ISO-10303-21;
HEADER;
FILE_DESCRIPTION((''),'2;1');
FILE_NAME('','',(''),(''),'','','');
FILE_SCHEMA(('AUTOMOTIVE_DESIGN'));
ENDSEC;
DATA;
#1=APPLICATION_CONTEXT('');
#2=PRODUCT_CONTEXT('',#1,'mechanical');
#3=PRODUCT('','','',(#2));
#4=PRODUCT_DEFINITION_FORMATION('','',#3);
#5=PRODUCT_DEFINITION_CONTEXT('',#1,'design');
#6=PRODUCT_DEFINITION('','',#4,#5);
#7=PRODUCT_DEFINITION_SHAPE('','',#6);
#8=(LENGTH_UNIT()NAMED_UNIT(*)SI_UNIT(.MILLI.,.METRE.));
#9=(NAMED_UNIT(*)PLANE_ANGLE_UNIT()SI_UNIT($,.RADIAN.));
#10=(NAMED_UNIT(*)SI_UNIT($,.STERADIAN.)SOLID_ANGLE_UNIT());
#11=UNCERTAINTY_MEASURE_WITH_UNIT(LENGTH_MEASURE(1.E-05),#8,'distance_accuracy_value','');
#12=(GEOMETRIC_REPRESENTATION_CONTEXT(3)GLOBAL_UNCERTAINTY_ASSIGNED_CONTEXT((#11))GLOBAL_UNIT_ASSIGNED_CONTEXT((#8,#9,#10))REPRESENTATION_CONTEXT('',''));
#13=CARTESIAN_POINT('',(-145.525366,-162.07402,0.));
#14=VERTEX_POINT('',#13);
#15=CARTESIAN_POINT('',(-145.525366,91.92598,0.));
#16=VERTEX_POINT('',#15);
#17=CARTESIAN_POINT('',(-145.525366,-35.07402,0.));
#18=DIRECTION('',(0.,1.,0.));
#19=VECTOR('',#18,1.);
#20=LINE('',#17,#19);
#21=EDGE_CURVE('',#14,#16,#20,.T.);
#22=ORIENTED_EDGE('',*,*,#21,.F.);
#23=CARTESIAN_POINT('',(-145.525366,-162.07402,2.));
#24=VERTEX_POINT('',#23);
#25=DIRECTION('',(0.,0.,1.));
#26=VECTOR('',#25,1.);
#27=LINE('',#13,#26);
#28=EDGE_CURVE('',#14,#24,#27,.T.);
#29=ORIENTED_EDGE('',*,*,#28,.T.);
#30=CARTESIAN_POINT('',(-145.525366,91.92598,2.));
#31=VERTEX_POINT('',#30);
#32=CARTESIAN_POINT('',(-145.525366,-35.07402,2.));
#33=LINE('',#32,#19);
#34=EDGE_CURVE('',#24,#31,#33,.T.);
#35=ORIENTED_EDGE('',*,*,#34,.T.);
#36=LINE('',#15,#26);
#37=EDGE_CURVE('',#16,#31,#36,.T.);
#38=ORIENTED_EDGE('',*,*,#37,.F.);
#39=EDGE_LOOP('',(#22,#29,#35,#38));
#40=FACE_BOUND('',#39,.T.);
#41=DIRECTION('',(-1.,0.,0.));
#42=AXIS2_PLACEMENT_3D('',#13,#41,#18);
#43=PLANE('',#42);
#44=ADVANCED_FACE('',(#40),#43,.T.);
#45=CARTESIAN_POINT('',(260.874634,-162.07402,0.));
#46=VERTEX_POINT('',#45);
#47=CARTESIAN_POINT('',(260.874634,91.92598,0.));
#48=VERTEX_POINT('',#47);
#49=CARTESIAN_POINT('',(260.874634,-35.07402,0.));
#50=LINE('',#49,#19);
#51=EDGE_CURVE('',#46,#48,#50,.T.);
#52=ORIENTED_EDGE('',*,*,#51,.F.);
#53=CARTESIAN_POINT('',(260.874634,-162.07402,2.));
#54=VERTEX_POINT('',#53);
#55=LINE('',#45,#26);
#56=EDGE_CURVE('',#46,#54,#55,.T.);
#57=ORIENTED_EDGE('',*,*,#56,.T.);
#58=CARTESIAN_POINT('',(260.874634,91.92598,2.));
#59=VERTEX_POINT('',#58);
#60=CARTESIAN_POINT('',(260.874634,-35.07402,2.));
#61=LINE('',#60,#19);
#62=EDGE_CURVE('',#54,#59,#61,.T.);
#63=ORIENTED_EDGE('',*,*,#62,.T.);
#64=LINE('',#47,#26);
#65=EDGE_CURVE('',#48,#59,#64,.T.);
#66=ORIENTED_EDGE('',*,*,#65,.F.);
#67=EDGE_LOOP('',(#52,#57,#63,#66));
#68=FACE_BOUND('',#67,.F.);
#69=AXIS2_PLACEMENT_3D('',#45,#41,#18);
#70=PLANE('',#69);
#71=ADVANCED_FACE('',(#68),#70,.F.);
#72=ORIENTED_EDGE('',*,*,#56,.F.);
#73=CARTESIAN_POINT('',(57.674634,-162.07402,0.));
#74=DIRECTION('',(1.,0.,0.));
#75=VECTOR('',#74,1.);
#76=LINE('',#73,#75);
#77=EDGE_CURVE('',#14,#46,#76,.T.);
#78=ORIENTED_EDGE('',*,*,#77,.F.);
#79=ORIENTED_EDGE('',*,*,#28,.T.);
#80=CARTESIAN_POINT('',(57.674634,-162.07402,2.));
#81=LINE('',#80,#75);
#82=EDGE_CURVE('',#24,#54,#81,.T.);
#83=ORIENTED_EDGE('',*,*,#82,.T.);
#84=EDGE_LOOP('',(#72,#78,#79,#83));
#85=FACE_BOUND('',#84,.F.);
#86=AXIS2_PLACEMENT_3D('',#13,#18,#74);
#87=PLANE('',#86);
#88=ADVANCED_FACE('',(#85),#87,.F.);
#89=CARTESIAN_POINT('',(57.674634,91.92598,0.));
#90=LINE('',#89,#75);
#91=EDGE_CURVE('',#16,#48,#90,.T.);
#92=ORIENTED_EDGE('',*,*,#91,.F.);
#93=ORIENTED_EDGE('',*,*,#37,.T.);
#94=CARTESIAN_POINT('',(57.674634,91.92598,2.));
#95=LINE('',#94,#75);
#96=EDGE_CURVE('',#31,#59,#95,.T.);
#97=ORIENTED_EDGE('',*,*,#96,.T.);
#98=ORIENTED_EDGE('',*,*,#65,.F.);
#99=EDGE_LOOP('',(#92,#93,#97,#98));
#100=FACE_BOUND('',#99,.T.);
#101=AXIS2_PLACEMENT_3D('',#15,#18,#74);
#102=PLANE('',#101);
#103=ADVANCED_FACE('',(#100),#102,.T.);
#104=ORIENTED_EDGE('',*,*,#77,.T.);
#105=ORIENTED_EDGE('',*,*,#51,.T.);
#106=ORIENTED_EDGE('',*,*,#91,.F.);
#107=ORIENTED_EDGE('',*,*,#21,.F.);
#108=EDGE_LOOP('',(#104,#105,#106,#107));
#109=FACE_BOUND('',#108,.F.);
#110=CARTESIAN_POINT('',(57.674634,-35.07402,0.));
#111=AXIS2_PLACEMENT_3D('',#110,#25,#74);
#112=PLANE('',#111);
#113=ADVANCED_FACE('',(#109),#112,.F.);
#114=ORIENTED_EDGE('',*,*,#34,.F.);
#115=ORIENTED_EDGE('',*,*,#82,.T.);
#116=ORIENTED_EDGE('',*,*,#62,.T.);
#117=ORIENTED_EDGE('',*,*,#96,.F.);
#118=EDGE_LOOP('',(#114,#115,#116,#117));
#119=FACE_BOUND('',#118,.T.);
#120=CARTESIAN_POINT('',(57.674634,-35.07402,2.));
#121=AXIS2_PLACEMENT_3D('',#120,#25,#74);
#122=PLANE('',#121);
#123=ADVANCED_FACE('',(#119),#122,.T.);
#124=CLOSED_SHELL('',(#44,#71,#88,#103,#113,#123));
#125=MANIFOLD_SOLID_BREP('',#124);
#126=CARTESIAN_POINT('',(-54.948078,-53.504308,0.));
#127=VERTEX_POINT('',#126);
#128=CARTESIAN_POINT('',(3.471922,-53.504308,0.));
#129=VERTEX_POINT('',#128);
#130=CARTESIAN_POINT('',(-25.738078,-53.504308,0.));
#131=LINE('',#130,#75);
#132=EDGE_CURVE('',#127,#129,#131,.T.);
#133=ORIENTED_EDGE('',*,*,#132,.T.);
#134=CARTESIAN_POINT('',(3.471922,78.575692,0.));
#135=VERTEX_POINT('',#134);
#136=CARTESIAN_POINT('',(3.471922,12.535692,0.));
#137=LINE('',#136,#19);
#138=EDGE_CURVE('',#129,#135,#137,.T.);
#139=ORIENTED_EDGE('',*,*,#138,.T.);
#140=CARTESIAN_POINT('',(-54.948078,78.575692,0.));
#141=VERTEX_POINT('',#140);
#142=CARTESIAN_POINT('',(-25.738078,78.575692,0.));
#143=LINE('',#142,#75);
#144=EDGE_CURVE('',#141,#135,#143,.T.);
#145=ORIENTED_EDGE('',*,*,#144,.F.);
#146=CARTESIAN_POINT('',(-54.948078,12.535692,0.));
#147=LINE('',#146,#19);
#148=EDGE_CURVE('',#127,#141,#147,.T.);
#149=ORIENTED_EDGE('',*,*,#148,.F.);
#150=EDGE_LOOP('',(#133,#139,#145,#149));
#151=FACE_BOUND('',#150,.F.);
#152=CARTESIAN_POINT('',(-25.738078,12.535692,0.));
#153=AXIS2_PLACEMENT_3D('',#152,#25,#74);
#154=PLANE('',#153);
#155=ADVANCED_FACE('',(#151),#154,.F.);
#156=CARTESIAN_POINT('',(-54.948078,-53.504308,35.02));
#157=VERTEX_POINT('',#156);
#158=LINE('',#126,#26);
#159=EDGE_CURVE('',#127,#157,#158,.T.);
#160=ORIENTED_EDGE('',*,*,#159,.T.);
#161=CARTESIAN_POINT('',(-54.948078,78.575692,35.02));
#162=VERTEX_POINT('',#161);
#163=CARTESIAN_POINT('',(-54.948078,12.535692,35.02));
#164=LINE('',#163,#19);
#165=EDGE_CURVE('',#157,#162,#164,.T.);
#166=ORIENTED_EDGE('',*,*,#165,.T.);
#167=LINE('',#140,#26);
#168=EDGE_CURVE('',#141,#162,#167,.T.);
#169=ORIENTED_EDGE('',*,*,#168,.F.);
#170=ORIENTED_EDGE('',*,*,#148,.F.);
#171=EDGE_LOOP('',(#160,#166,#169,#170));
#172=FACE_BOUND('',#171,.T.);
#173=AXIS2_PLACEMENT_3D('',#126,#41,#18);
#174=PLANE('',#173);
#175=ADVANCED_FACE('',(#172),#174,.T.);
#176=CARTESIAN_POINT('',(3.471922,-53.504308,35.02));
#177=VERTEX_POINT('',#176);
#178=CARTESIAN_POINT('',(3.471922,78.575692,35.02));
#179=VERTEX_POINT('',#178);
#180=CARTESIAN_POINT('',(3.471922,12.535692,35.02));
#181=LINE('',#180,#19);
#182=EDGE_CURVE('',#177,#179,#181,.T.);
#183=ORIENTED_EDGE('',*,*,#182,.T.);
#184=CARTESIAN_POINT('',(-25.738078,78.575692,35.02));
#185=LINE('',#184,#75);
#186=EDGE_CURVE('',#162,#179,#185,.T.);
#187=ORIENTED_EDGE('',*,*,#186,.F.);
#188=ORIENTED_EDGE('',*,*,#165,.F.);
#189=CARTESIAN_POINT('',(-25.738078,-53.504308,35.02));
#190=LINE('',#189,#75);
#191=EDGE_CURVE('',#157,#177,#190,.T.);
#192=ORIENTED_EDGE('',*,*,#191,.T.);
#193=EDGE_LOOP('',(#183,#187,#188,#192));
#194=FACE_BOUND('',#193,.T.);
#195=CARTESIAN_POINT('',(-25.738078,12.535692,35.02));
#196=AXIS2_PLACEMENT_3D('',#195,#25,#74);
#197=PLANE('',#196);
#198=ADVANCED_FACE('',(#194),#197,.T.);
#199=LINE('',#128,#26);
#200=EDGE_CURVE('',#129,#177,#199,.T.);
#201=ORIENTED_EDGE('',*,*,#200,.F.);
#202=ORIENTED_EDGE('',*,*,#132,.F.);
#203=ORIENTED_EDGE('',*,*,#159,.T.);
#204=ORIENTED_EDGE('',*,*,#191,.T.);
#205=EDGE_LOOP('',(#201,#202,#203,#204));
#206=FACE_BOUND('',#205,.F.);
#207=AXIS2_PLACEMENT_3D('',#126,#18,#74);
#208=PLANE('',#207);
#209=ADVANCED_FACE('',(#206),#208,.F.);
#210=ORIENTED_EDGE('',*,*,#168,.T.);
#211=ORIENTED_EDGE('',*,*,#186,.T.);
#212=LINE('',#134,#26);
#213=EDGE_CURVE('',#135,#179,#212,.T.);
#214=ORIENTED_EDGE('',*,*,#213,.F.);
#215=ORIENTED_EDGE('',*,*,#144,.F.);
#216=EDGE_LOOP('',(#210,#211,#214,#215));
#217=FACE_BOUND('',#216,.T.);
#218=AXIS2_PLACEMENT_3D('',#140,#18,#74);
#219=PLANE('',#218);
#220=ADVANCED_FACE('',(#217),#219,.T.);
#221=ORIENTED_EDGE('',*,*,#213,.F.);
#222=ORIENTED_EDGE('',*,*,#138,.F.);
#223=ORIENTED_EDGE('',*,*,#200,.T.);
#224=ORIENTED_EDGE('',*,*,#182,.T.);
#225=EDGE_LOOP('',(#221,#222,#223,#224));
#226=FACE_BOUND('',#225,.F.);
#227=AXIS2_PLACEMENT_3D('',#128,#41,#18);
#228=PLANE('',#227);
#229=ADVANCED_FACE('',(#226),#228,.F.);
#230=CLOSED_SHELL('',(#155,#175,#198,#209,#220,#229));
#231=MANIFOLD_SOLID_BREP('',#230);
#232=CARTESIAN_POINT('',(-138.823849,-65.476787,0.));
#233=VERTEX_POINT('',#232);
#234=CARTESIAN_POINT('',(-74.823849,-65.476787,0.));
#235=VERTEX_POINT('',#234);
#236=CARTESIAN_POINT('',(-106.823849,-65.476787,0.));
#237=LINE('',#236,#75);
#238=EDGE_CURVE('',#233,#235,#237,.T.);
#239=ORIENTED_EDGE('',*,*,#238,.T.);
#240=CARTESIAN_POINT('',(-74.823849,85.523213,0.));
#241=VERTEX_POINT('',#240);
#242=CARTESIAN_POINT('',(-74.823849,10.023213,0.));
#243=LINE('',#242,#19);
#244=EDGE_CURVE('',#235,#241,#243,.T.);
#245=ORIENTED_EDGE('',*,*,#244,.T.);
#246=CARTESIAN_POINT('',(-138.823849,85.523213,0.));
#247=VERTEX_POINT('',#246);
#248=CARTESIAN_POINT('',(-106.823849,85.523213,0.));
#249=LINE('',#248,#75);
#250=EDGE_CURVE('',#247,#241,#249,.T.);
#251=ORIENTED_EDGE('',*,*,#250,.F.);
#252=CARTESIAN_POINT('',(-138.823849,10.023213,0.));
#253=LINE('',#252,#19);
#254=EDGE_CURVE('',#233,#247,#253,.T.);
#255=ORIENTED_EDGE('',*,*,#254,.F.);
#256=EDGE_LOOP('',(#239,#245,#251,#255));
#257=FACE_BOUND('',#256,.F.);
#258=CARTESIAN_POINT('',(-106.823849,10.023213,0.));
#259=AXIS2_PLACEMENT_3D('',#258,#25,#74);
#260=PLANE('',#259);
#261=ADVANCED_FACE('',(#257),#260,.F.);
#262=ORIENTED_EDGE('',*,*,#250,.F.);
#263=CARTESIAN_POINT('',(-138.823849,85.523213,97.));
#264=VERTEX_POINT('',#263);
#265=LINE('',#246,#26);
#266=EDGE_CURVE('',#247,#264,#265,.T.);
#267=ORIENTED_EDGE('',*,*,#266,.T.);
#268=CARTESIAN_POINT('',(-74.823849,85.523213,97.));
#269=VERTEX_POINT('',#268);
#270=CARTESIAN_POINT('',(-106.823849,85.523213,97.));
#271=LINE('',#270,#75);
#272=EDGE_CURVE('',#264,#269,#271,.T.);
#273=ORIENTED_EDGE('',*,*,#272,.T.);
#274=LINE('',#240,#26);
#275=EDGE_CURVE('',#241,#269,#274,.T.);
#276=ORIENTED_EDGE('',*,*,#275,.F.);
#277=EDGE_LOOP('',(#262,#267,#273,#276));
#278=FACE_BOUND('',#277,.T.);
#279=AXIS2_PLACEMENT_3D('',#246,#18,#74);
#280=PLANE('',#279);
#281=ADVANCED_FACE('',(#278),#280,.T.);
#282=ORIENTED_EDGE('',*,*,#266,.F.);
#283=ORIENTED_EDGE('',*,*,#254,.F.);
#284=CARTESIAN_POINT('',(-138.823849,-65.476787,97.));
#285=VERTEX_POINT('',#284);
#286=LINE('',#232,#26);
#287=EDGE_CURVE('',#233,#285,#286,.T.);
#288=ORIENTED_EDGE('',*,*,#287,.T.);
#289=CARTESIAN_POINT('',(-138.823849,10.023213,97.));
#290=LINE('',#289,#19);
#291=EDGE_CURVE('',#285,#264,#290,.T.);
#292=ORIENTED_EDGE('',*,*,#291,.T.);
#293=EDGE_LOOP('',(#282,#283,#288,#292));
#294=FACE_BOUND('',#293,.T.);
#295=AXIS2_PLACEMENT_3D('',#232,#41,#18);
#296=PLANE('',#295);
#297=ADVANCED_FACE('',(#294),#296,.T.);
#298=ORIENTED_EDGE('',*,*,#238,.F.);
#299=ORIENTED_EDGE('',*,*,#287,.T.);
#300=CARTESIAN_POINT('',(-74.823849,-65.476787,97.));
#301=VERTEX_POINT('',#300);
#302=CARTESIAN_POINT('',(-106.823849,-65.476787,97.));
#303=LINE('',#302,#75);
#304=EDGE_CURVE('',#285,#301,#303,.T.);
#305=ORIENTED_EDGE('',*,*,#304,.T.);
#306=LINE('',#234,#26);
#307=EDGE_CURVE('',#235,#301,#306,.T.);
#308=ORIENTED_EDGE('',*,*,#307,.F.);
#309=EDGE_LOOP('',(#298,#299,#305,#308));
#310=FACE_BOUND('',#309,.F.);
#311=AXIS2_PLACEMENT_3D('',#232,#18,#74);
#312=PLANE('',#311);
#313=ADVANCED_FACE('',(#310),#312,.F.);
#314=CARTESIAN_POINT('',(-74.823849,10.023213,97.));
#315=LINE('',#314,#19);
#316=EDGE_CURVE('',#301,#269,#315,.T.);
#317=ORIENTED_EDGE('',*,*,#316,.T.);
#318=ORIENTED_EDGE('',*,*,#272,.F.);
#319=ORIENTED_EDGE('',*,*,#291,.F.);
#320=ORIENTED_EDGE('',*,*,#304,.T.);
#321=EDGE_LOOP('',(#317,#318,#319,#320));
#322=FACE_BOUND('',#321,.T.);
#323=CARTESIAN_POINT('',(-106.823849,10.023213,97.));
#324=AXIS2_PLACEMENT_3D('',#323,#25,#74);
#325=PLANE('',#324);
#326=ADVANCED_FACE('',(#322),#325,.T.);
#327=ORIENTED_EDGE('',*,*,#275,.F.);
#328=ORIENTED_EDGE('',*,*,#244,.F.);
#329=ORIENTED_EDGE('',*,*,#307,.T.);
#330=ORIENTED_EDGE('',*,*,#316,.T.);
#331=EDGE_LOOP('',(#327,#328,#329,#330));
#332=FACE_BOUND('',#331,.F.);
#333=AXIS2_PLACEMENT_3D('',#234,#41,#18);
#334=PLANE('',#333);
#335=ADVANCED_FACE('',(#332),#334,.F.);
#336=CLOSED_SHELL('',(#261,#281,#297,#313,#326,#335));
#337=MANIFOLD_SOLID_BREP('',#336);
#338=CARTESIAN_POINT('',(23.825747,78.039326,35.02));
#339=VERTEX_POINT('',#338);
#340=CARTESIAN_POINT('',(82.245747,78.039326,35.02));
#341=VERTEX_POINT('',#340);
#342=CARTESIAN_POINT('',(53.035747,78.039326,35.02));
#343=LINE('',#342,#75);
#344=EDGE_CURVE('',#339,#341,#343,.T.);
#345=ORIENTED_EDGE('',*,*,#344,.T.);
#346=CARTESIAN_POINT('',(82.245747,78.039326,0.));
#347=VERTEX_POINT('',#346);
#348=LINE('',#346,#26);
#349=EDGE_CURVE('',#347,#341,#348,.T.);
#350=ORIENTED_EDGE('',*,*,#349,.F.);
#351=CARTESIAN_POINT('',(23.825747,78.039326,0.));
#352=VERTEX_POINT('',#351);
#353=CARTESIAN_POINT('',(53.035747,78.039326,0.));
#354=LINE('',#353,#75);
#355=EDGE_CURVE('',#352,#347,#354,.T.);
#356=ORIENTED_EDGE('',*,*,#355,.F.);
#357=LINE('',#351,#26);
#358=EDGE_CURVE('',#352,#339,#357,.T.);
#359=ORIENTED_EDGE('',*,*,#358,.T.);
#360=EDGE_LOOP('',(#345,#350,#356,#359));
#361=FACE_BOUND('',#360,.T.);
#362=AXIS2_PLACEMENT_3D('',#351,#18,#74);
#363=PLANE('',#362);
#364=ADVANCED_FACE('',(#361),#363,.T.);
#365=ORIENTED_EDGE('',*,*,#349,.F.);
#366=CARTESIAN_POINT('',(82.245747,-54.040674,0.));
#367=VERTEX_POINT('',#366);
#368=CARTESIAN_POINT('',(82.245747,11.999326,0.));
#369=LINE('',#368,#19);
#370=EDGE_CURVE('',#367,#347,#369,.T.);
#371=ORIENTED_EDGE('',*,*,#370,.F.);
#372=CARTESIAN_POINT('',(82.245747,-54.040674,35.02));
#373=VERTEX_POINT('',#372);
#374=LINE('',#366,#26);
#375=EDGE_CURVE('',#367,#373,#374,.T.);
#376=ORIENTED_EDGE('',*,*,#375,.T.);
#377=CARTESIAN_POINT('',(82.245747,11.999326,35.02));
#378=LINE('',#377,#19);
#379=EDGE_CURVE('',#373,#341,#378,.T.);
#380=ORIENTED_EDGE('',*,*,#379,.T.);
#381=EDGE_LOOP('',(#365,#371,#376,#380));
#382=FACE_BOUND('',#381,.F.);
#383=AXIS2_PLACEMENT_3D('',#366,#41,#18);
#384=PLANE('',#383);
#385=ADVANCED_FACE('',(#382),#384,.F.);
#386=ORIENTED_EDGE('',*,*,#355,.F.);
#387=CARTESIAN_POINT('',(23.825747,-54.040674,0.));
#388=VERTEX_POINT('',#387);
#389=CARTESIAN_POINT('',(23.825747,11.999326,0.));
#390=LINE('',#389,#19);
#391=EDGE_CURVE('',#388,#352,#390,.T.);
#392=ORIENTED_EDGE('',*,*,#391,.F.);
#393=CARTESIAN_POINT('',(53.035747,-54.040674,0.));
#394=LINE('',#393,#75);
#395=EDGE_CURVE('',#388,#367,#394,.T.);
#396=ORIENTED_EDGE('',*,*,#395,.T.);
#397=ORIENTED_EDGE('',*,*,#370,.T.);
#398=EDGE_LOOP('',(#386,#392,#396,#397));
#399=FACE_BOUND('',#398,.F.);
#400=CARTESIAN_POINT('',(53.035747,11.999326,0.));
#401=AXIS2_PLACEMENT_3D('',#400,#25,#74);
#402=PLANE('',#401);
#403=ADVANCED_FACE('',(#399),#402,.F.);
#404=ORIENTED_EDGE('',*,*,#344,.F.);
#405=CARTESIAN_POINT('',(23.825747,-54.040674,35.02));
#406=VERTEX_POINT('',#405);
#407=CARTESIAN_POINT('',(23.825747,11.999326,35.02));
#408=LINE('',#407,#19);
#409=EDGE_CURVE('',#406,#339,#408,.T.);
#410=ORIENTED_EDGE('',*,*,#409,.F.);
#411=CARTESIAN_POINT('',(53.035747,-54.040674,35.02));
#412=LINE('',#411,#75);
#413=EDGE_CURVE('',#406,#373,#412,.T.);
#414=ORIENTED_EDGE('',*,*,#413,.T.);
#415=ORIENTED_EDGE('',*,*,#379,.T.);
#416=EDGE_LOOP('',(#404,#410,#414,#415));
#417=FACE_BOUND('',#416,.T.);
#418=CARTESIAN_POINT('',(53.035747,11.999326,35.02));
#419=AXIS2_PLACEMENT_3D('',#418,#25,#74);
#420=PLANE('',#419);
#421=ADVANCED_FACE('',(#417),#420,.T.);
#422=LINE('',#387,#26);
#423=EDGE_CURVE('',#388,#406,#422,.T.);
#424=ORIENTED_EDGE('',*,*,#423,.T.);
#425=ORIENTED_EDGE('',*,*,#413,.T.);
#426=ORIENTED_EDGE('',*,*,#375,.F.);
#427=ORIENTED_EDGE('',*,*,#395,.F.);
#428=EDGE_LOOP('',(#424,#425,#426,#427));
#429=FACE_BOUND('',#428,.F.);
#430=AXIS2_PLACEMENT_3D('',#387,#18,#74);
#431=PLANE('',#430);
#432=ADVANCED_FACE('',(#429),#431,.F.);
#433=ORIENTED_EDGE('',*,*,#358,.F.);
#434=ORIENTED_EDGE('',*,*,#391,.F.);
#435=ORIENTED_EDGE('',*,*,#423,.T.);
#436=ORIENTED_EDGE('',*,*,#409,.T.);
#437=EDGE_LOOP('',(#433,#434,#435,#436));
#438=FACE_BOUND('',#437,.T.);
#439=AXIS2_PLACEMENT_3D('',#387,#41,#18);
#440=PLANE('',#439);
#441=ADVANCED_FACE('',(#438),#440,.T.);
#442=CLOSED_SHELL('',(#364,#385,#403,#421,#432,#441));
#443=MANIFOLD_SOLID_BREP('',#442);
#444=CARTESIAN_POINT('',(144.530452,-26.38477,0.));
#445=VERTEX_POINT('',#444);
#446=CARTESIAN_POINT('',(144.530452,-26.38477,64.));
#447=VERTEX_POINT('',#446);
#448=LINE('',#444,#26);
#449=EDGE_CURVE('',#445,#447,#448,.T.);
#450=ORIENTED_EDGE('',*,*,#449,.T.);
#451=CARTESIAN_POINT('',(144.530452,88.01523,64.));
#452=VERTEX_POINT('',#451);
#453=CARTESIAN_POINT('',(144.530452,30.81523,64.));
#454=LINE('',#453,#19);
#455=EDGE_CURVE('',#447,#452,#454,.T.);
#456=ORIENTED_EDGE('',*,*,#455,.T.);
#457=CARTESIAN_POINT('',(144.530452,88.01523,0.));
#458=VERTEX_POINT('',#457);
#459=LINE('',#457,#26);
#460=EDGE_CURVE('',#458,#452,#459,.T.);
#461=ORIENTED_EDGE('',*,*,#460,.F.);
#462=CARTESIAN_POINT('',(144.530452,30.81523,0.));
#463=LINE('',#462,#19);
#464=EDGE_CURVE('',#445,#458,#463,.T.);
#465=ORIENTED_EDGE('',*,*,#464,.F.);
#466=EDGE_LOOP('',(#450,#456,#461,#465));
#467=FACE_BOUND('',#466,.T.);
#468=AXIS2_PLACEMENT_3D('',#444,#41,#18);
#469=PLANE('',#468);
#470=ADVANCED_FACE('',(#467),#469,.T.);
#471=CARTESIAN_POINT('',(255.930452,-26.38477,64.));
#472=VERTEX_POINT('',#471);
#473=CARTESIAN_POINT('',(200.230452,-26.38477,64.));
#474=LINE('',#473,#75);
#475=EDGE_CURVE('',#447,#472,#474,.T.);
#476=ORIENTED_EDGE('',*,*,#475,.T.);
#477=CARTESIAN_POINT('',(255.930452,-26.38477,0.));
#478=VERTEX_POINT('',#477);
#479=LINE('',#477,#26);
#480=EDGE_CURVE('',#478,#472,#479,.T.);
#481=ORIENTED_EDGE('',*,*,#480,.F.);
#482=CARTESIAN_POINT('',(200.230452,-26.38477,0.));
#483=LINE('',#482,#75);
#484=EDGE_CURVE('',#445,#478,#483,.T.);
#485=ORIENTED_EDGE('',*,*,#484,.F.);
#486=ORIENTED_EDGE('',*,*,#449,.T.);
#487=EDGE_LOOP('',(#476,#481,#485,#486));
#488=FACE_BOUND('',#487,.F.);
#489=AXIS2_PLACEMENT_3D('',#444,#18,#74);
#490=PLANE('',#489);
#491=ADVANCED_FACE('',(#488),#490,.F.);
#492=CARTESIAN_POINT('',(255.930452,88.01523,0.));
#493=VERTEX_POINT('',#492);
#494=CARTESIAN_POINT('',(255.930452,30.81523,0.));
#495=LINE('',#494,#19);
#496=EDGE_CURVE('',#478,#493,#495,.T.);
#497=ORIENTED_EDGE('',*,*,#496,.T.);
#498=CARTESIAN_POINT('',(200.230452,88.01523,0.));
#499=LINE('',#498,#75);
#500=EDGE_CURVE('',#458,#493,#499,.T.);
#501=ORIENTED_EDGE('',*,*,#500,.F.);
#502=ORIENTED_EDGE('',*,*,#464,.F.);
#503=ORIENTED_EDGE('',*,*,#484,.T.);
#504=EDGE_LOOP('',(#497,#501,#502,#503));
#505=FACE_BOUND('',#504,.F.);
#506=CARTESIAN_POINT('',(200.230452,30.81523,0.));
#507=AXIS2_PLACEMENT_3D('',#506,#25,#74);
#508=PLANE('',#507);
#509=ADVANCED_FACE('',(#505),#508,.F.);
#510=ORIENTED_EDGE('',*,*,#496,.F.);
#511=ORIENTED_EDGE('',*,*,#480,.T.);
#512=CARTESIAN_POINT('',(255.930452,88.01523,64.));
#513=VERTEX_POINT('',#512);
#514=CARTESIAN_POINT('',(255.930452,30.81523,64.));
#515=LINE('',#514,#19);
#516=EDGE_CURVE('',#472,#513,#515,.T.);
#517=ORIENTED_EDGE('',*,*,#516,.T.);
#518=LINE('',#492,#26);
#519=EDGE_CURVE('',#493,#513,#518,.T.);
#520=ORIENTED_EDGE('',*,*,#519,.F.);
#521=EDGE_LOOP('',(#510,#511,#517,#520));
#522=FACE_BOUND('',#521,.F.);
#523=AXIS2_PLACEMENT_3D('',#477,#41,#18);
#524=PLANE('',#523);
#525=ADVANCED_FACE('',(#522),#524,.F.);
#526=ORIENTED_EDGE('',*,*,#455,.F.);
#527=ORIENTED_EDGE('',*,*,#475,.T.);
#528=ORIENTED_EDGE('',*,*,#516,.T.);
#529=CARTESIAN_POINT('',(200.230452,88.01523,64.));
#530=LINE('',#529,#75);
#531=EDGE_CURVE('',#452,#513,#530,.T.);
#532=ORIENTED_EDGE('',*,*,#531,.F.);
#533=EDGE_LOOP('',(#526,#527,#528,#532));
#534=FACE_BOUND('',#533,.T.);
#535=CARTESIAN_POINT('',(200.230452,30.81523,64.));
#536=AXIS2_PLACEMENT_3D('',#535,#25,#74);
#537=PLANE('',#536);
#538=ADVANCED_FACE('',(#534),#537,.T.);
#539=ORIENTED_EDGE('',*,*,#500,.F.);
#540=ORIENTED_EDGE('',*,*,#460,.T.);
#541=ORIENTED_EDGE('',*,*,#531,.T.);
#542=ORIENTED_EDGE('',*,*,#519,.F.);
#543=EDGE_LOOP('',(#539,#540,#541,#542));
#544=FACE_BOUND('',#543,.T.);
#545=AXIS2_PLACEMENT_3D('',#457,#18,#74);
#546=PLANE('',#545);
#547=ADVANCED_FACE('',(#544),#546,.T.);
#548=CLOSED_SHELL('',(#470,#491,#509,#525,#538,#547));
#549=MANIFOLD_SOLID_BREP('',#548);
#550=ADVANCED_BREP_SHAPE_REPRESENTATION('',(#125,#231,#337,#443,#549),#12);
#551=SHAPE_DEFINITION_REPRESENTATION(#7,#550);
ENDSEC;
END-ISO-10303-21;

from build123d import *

# Parameters (mm, degrees)
SKETCH_W     = 406.4
SKETCH_H     = 254
PAD_DEPTH    = 2
SKETCH001_W  = 111.4
SKETCH001_H  = 114.4
PAD001_DEPTH = 64
SKETCH002_W  = 64
SKETCH002_H  = 151
PAD002_DEPTH = 97
SKETCH003_W  = 58.42
SKETCH003_H  = 132.08
PAD003_DEPTH = 35.02
SKETCH004_W  = 58.42
SKETCH004_H  = 132.08
PAD004_DEPTH = 35.02


with BuildPart() as pad:
    # Sketch → Pad (new body)
    with BuildSketch(Plane.XY):
        with Locations((57.674634, -35.07402)):
            Rectangle(SKETCH_W, SKETCH_H)
    extrude(amount=PAD_DEPTH)


with BuildPart() as pad001:
    # Sketch001 → Pad001 (new body)
    with BuildSketch(Plane.XY):
        with Locations((200.230452, 30.81523)):
            Rectangle(SKETCH001_W, SKETCH001_H)
    extrude(amount=PAD001_DEPTH)


with BuildPart() as pad002:
    # Sketch002 → Pad002 (new body)
    with BuildSketch(Plane.XY):
        with Locations((-106.823849, 10.023213)):
            Rectangle(SKETCH002_W, SKETCH002_H)
    extrude(amount=PAD002_DEPTH)


with BuildPart() as pad003:
    # Sketch003 → Pad003 (new body)
    with BuildSketch(Plane.XY):
        with Locations((-25.738078, 12.535692)):
            Rectangle(SKETCH003_W, SKETCH003_H)
    extrude(amount=PAD003_DEPTH)


with BuildPart() as pad004:
    # Sketch004 → Pad004 (new body)
    with BuildSketch(Plane.XY):
        with Locations((53.035747, 11.999326)):
            Rectangle(SKETCH004_W, SKETCH004_H)
    extrude(amount=PAD004_DEPTH)


solid = Compound([pad.part, pad001.part, pad002.part, pad003.part, pad004.part])
